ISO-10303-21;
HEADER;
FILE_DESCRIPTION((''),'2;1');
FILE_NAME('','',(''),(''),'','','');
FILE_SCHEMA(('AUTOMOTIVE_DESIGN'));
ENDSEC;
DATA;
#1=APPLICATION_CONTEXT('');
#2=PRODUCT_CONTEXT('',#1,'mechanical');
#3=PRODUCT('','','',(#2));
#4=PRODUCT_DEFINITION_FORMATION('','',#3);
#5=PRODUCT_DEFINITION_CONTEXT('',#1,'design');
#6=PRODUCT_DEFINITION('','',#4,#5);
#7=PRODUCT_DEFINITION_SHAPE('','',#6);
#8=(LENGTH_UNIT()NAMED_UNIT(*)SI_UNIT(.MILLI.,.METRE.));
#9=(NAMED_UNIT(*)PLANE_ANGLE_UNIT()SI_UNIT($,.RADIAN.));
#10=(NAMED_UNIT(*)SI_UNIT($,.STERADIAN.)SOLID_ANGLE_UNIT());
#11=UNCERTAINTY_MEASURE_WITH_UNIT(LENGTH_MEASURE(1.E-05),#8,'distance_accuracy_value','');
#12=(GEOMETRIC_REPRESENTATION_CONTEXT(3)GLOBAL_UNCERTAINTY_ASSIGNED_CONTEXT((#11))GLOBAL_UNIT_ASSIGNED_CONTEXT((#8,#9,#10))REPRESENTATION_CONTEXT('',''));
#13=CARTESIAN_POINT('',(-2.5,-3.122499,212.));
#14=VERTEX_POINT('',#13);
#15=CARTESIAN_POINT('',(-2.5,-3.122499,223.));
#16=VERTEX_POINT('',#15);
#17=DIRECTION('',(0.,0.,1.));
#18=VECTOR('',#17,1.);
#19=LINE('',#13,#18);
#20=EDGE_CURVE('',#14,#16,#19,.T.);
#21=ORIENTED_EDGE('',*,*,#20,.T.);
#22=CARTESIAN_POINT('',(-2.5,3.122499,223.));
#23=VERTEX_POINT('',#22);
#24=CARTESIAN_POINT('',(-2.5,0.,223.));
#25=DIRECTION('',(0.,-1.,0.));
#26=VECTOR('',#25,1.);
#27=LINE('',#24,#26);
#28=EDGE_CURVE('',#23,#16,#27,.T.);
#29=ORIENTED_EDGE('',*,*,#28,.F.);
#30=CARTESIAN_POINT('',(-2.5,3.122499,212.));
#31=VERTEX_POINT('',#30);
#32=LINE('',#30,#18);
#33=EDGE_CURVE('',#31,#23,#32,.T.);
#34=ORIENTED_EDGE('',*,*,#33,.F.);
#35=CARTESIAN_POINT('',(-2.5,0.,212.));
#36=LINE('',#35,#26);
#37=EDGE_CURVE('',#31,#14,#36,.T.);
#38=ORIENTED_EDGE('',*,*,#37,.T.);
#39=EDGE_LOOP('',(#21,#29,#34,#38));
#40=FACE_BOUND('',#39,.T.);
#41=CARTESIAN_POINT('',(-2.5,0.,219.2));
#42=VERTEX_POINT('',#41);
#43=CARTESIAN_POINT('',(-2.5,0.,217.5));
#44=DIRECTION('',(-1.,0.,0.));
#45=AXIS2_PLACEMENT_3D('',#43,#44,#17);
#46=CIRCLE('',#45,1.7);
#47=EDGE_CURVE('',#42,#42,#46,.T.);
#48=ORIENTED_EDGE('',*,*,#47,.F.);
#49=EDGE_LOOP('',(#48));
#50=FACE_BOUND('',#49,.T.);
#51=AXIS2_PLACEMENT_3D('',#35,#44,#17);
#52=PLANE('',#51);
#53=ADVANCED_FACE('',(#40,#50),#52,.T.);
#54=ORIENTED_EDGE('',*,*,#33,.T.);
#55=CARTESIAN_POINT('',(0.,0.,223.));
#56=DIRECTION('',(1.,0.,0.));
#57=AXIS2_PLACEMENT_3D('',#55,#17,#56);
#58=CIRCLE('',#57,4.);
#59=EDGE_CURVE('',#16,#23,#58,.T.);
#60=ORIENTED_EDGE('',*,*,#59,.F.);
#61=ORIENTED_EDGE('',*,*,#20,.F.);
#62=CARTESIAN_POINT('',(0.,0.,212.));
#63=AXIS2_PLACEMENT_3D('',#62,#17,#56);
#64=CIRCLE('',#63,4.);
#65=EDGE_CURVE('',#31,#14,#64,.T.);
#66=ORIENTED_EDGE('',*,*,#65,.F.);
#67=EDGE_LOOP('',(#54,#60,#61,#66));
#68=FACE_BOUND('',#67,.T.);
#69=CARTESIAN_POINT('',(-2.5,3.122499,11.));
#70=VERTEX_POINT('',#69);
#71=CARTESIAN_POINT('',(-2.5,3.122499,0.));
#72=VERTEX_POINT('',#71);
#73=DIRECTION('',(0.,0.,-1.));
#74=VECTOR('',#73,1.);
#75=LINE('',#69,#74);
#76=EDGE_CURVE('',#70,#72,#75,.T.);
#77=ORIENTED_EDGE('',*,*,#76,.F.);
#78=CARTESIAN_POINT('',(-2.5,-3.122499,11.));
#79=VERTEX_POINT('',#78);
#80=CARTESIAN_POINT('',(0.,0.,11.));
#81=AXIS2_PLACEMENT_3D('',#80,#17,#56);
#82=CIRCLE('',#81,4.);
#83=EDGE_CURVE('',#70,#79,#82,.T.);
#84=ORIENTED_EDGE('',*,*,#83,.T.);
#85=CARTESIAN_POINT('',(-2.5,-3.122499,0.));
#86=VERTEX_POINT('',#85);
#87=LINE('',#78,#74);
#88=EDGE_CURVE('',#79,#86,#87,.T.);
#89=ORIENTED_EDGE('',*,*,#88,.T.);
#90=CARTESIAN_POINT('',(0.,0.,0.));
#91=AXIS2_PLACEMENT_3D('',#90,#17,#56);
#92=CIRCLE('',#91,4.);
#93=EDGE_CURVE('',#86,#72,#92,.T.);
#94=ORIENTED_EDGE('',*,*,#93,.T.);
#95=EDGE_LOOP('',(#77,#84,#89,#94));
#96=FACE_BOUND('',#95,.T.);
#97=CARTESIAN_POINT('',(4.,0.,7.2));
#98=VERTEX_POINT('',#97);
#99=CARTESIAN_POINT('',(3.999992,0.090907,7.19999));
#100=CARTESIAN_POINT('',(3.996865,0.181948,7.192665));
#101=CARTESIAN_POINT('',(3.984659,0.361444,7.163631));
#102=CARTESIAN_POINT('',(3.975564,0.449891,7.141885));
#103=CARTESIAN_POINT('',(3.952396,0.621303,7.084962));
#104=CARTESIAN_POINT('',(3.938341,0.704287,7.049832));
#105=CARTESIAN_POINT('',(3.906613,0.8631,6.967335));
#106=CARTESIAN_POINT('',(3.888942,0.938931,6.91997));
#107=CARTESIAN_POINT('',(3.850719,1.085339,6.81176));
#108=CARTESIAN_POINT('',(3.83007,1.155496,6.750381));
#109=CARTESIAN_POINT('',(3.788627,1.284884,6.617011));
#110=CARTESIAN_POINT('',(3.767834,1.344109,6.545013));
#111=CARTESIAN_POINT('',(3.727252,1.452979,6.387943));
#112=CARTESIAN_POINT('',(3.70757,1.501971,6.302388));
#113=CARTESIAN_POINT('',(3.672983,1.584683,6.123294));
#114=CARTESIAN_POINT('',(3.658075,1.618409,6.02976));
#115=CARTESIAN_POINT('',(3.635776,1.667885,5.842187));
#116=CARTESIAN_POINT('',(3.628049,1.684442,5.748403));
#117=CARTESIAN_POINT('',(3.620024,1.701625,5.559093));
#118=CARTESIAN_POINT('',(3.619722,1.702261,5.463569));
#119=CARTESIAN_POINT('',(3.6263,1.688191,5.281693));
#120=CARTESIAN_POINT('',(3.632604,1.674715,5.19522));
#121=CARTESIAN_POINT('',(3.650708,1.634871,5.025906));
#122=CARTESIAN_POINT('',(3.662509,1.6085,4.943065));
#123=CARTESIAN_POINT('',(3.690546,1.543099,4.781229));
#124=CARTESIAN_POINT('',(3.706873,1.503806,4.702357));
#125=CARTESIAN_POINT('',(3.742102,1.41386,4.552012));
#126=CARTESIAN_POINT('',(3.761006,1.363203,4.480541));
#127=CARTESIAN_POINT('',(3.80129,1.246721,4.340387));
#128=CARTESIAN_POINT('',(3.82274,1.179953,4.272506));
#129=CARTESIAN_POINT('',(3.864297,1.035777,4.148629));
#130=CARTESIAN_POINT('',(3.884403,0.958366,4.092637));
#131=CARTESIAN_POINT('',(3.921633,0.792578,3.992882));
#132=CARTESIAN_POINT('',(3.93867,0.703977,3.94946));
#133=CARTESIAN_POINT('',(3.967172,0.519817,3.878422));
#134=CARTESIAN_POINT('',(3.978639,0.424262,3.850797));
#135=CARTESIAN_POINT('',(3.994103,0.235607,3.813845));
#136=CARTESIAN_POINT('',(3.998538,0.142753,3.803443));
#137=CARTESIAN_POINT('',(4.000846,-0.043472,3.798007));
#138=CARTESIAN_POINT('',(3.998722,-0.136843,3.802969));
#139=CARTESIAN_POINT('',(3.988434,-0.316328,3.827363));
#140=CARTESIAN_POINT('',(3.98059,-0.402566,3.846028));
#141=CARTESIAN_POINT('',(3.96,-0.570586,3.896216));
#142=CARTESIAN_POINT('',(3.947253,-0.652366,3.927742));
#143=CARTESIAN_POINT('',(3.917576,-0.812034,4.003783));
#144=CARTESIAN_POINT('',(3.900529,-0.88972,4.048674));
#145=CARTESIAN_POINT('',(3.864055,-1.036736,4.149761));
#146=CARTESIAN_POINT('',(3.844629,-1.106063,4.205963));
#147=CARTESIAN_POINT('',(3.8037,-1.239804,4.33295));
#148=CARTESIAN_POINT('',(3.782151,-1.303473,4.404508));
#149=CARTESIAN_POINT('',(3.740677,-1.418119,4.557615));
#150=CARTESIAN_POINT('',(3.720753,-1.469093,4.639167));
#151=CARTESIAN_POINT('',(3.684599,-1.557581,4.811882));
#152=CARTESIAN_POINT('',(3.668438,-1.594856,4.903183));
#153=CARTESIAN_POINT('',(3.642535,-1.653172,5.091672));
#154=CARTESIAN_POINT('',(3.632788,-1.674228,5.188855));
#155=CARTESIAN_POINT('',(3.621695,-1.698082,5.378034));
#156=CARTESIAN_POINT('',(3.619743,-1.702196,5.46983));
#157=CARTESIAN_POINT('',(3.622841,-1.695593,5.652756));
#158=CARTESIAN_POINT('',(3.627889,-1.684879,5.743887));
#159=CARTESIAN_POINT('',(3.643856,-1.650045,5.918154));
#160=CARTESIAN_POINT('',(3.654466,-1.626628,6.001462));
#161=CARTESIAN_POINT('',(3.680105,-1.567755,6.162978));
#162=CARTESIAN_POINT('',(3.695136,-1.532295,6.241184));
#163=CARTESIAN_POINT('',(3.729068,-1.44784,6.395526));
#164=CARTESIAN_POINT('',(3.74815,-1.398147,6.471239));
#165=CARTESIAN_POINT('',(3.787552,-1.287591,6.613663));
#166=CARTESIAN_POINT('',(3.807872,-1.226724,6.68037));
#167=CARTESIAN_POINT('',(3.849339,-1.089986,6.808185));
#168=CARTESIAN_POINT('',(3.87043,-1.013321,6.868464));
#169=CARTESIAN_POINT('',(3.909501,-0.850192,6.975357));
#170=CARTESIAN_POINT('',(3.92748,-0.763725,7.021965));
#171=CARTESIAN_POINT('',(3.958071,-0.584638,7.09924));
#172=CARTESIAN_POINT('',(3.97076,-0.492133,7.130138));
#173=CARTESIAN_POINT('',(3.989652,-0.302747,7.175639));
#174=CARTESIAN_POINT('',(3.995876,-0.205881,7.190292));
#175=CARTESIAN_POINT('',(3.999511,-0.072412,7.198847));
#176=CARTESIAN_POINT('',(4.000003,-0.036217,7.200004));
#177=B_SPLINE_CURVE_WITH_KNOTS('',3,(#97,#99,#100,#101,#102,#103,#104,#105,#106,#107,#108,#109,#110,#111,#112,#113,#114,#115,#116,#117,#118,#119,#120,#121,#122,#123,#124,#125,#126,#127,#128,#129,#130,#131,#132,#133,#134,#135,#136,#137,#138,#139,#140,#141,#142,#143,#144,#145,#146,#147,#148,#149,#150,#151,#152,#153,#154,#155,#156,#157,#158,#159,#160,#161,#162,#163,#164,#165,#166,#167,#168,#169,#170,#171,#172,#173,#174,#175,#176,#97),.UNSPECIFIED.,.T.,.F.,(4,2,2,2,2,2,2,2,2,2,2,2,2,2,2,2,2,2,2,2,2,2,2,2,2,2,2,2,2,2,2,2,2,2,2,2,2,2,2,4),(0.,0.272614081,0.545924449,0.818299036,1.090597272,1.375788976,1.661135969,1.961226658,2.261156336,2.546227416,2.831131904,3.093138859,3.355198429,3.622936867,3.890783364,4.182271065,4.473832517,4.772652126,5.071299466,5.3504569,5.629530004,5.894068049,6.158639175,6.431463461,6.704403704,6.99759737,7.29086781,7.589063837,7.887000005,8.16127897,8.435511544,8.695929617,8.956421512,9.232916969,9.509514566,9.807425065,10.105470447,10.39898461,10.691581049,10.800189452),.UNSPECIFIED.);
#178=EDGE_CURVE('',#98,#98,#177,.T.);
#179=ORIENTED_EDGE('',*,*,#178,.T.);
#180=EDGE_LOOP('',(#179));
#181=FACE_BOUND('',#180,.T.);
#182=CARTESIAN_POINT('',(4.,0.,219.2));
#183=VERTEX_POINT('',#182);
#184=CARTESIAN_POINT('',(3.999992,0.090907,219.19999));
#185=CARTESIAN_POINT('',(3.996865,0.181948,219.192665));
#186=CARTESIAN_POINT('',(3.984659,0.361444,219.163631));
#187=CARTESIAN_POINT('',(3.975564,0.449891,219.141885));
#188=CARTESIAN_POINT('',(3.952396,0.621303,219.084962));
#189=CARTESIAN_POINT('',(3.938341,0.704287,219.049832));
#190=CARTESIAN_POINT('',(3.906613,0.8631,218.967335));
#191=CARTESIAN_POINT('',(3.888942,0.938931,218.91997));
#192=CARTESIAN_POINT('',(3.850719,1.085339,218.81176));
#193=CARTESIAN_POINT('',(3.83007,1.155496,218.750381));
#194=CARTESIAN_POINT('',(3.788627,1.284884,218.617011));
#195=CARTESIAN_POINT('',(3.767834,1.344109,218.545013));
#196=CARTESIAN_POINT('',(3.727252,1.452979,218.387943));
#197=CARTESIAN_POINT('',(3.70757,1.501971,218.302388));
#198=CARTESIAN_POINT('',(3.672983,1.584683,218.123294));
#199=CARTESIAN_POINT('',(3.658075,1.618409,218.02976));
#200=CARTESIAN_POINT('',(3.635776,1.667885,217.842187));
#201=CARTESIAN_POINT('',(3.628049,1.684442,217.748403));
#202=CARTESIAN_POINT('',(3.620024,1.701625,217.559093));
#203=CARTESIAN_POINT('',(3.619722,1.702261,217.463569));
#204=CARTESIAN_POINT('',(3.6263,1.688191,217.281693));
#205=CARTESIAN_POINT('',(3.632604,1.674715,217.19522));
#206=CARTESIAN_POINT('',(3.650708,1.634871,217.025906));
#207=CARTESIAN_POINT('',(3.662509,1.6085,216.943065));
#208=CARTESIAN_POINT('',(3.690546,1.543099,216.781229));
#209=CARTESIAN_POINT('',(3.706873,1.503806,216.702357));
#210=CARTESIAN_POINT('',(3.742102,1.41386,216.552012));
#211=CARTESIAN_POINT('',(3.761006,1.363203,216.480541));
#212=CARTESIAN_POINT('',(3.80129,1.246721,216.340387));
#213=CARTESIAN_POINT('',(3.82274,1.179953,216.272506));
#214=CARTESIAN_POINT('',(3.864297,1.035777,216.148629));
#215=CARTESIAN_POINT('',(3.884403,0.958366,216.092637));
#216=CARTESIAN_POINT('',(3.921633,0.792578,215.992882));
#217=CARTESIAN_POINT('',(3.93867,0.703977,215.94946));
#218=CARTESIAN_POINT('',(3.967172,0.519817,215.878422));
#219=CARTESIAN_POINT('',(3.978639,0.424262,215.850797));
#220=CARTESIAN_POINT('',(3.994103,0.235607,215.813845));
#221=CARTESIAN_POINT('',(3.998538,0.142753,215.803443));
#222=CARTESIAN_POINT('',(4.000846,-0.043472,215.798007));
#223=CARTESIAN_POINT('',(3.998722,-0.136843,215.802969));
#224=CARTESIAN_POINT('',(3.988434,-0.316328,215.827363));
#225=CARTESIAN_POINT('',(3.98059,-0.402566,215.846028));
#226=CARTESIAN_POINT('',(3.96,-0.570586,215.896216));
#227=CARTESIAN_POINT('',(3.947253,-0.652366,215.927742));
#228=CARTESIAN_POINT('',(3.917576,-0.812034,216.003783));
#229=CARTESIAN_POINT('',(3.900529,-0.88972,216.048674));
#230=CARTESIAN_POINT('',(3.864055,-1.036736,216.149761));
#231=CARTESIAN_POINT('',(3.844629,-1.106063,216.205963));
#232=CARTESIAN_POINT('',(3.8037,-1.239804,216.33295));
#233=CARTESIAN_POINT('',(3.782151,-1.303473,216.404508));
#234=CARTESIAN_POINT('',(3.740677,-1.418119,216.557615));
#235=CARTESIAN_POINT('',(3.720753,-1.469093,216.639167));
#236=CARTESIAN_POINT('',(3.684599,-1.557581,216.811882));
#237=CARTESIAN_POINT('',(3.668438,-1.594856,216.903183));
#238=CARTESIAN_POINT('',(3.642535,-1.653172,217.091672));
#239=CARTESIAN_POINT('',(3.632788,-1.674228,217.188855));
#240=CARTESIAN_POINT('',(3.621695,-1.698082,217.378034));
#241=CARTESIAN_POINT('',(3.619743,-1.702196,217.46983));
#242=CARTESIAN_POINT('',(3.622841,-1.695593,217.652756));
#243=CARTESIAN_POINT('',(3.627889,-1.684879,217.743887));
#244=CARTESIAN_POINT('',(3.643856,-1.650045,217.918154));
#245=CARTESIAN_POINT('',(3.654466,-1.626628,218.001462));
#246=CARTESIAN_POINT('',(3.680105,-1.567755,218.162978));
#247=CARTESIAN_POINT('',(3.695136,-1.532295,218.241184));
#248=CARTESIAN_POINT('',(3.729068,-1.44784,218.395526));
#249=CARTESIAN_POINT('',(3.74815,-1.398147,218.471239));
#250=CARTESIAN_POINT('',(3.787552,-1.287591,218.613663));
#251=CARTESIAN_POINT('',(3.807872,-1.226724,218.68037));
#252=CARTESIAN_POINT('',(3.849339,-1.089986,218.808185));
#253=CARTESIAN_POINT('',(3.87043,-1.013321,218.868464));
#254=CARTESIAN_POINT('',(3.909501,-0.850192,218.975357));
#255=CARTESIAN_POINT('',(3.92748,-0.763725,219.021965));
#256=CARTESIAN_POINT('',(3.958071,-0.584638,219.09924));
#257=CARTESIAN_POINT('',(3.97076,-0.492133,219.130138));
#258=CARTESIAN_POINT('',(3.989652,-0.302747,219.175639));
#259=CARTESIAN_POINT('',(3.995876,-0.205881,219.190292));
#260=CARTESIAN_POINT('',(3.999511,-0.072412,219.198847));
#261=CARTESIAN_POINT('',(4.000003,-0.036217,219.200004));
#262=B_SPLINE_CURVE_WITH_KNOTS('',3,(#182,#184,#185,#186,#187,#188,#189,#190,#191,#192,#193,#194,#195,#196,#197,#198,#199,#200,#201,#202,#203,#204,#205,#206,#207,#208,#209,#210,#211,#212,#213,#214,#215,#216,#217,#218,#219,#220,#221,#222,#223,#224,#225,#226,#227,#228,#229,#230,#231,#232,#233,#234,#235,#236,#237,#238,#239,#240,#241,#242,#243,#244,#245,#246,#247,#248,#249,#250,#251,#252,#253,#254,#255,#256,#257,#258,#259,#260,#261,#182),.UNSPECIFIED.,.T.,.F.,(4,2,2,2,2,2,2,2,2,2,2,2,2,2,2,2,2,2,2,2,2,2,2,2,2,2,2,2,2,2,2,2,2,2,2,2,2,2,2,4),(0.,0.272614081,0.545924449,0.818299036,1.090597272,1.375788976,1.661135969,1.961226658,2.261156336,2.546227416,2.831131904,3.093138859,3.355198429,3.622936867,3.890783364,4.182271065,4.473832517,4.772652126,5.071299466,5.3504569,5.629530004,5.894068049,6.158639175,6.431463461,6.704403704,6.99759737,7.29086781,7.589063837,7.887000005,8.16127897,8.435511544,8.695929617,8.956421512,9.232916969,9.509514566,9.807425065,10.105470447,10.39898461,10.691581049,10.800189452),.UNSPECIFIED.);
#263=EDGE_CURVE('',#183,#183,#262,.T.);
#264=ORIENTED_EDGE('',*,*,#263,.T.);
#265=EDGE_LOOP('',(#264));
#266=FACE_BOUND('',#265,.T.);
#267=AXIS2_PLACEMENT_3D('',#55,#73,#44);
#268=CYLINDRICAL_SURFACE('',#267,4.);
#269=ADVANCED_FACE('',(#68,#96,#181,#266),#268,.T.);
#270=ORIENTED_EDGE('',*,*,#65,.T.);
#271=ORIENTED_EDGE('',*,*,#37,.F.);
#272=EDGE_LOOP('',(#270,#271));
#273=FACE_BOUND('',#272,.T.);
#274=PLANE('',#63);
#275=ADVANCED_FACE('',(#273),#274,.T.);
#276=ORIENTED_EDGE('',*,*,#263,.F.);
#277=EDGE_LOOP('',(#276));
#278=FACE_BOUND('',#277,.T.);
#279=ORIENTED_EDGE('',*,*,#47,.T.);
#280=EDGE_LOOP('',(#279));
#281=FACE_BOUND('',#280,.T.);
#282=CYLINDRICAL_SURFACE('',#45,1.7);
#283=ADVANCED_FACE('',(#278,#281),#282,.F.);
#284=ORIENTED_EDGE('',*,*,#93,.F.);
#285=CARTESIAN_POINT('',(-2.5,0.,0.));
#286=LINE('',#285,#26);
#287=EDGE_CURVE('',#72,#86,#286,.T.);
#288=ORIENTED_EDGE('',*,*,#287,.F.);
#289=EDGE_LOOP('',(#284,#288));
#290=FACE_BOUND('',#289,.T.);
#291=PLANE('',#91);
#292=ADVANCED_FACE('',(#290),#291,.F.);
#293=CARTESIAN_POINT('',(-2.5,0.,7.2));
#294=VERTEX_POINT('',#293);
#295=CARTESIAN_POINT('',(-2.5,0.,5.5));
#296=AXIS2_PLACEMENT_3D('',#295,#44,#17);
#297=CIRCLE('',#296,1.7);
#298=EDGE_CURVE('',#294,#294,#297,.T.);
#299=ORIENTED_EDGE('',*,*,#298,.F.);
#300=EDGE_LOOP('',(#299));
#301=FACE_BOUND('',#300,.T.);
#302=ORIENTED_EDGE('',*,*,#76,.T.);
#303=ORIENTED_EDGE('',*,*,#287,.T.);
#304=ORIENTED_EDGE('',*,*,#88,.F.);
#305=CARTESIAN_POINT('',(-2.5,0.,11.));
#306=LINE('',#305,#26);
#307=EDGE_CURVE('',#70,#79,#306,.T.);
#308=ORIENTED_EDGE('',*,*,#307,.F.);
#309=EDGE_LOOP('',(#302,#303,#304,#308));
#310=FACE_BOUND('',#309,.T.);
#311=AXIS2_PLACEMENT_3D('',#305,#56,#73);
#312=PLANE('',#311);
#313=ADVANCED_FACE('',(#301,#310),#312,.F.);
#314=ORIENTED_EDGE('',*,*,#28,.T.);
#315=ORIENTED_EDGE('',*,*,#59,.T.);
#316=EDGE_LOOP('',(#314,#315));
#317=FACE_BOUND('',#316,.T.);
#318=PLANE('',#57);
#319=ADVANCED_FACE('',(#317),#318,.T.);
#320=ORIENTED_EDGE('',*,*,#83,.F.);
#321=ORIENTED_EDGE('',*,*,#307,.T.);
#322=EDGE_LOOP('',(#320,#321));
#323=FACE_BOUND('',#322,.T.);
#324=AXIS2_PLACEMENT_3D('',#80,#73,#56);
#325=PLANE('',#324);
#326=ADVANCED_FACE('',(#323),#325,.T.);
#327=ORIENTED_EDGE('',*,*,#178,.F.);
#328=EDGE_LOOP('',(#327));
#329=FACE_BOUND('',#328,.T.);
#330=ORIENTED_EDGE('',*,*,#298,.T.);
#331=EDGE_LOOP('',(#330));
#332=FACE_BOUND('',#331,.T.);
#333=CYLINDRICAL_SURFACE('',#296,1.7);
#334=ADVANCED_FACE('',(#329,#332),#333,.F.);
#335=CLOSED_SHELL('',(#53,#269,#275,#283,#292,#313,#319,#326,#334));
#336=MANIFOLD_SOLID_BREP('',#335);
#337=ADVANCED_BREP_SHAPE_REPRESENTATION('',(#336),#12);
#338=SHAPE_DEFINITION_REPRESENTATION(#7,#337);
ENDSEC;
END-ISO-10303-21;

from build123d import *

# Parameters (mm, degrees)
CROQUIS1_R                   = 4
SALIENTE_EXTRUIR1_DEPTH      = 223
CORTAR_EXTRUIR1_DEPTH        = 11
TALADRO_DE_MARGEN_PARA_M31_D = 3.4


with BuildPart() as part:
    # Croquis1 → Saliente-Extruir1 (new body)
    with BuildSketch(Plane.XY):
        Circle(CROQUIS1_R)
    extrude(amount=SALIENTE_EXTRUIR1_DEPTH)

    # Croquis2 → Cortar-Extruir1 (cut)
    with BuildSketch(Plane.XY.offset(223)):
        with BuildLine():
            Line((-2.5, -3.122498999), (-2.5, 3.122498999))
            ThreePointArc((-2.5, 3.122498999), (-4, 0), (-2.5, -3.122498999))
        make_face()
    cortar_extruir1 = extrude(amount=-CORTAR_EXTRUIR1_DEPTH, mode=Mode.SUBTRACT)

    # Simetría1: Cortar-Extruir1 across plane
    add(cortar_extruir1.mirror(Plane.XY.offset(111.5)), mode=Mode.SUBTRACT)

    # Taladro de margen para M31 (through all)
    with Locations(Plane(origin=(-2.5, 0, 217.5), x_dir=(0, 0, -1), z_dir=(-1, 0, 0))):
        with Locations((0, 0)):
            taladro_de_margen_para_m31 = Hole(TALADRO_DE_MARGEN_PARA_M31_D / 2)

    # Simetría3: Taladro de margen para M31 across plane
    add(taladro_de_margen_para_m31.mirror(Plane.XY.offset(111.5)), mode=Mode.SUBTRACT)


solid = part.part
